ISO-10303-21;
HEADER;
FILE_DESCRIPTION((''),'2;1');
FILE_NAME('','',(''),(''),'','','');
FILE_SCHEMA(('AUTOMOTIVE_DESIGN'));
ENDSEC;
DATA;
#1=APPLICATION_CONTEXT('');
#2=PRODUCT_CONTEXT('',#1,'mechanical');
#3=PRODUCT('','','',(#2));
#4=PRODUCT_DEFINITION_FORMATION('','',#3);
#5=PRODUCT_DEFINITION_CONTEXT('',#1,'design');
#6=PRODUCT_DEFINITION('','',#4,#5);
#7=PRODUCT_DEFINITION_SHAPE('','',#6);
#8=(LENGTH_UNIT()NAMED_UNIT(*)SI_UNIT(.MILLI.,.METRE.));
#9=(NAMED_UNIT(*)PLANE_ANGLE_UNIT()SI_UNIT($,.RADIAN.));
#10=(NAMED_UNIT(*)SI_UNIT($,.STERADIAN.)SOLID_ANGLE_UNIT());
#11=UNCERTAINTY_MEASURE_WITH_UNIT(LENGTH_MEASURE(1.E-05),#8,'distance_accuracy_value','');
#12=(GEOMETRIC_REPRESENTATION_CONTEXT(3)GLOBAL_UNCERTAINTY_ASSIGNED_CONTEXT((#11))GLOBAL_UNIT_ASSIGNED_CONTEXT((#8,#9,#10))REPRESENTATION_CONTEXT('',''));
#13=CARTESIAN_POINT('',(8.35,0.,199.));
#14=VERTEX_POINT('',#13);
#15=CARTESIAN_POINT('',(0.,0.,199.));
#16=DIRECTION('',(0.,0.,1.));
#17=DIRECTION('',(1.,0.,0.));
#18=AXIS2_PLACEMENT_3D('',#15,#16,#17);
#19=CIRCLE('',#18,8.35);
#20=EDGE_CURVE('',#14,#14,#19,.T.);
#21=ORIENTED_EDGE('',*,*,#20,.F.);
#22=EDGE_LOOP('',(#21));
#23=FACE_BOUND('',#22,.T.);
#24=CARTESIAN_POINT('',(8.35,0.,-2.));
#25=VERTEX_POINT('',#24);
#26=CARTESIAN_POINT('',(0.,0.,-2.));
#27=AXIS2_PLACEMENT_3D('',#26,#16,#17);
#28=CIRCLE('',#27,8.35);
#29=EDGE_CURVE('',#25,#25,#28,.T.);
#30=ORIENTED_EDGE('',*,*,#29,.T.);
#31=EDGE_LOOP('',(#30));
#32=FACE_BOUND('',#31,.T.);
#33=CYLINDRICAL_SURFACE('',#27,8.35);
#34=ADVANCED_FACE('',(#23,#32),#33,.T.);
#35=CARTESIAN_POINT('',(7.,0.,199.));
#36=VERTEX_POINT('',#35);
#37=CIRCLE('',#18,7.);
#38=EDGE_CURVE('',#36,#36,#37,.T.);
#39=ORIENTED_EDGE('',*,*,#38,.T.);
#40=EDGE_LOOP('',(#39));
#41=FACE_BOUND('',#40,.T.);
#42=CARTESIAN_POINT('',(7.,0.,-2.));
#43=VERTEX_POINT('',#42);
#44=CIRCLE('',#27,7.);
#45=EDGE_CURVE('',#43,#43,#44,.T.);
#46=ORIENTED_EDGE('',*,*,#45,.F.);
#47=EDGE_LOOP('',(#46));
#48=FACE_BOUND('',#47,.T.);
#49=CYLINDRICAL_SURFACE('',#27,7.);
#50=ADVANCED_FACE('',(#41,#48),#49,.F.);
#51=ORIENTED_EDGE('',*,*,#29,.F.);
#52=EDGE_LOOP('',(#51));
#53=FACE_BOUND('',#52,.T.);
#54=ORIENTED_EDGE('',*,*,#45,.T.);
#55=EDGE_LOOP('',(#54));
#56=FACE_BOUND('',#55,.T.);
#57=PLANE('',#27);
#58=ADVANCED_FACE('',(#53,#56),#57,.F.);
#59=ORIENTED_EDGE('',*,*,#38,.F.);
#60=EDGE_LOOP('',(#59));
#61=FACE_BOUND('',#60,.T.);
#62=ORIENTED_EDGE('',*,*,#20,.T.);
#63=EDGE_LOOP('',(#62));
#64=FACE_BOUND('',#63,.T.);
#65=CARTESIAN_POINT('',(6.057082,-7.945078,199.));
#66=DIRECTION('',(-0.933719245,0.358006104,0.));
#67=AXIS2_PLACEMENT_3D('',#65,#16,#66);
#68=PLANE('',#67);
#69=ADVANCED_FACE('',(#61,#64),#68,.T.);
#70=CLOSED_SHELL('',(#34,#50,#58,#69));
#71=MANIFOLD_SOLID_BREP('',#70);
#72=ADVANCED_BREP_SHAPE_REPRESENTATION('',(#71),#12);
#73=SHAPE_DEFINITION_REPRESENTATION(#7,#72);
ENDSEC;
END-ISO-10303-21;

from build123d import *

# Parameters (mm, degrees)
SZKIC1_R                         = 8.35
SZKIC1_R_2                       = 7
DODANIE_WYCI_GNI_CIE1_DEPTH      = 199
DODANIE_WYCI_GNI_CIE1_DEPTH_BACK = 2


with BuildPart() as part:
    # Szkic1 → Dodanie-wyci_gni_cie1 (new body, two sides)
    with BuildSketch(Plane.XY) as dodanie_wyci_gni_cie1_sk:
        Circle(SZKIC1_R)
        Circle(SZKIC1_R_2, mode=Mode.SUBTRACT)
    extrude(amount=DODANIE_WYCI_GNI_CIE1_DEPTH)
    extrude(dodanie_wyci_gni_cie1_sk.sketch, amount=-DODANIE_WYCI_GNI_CIE1_DEPTH_BACK)


solid = part.part
